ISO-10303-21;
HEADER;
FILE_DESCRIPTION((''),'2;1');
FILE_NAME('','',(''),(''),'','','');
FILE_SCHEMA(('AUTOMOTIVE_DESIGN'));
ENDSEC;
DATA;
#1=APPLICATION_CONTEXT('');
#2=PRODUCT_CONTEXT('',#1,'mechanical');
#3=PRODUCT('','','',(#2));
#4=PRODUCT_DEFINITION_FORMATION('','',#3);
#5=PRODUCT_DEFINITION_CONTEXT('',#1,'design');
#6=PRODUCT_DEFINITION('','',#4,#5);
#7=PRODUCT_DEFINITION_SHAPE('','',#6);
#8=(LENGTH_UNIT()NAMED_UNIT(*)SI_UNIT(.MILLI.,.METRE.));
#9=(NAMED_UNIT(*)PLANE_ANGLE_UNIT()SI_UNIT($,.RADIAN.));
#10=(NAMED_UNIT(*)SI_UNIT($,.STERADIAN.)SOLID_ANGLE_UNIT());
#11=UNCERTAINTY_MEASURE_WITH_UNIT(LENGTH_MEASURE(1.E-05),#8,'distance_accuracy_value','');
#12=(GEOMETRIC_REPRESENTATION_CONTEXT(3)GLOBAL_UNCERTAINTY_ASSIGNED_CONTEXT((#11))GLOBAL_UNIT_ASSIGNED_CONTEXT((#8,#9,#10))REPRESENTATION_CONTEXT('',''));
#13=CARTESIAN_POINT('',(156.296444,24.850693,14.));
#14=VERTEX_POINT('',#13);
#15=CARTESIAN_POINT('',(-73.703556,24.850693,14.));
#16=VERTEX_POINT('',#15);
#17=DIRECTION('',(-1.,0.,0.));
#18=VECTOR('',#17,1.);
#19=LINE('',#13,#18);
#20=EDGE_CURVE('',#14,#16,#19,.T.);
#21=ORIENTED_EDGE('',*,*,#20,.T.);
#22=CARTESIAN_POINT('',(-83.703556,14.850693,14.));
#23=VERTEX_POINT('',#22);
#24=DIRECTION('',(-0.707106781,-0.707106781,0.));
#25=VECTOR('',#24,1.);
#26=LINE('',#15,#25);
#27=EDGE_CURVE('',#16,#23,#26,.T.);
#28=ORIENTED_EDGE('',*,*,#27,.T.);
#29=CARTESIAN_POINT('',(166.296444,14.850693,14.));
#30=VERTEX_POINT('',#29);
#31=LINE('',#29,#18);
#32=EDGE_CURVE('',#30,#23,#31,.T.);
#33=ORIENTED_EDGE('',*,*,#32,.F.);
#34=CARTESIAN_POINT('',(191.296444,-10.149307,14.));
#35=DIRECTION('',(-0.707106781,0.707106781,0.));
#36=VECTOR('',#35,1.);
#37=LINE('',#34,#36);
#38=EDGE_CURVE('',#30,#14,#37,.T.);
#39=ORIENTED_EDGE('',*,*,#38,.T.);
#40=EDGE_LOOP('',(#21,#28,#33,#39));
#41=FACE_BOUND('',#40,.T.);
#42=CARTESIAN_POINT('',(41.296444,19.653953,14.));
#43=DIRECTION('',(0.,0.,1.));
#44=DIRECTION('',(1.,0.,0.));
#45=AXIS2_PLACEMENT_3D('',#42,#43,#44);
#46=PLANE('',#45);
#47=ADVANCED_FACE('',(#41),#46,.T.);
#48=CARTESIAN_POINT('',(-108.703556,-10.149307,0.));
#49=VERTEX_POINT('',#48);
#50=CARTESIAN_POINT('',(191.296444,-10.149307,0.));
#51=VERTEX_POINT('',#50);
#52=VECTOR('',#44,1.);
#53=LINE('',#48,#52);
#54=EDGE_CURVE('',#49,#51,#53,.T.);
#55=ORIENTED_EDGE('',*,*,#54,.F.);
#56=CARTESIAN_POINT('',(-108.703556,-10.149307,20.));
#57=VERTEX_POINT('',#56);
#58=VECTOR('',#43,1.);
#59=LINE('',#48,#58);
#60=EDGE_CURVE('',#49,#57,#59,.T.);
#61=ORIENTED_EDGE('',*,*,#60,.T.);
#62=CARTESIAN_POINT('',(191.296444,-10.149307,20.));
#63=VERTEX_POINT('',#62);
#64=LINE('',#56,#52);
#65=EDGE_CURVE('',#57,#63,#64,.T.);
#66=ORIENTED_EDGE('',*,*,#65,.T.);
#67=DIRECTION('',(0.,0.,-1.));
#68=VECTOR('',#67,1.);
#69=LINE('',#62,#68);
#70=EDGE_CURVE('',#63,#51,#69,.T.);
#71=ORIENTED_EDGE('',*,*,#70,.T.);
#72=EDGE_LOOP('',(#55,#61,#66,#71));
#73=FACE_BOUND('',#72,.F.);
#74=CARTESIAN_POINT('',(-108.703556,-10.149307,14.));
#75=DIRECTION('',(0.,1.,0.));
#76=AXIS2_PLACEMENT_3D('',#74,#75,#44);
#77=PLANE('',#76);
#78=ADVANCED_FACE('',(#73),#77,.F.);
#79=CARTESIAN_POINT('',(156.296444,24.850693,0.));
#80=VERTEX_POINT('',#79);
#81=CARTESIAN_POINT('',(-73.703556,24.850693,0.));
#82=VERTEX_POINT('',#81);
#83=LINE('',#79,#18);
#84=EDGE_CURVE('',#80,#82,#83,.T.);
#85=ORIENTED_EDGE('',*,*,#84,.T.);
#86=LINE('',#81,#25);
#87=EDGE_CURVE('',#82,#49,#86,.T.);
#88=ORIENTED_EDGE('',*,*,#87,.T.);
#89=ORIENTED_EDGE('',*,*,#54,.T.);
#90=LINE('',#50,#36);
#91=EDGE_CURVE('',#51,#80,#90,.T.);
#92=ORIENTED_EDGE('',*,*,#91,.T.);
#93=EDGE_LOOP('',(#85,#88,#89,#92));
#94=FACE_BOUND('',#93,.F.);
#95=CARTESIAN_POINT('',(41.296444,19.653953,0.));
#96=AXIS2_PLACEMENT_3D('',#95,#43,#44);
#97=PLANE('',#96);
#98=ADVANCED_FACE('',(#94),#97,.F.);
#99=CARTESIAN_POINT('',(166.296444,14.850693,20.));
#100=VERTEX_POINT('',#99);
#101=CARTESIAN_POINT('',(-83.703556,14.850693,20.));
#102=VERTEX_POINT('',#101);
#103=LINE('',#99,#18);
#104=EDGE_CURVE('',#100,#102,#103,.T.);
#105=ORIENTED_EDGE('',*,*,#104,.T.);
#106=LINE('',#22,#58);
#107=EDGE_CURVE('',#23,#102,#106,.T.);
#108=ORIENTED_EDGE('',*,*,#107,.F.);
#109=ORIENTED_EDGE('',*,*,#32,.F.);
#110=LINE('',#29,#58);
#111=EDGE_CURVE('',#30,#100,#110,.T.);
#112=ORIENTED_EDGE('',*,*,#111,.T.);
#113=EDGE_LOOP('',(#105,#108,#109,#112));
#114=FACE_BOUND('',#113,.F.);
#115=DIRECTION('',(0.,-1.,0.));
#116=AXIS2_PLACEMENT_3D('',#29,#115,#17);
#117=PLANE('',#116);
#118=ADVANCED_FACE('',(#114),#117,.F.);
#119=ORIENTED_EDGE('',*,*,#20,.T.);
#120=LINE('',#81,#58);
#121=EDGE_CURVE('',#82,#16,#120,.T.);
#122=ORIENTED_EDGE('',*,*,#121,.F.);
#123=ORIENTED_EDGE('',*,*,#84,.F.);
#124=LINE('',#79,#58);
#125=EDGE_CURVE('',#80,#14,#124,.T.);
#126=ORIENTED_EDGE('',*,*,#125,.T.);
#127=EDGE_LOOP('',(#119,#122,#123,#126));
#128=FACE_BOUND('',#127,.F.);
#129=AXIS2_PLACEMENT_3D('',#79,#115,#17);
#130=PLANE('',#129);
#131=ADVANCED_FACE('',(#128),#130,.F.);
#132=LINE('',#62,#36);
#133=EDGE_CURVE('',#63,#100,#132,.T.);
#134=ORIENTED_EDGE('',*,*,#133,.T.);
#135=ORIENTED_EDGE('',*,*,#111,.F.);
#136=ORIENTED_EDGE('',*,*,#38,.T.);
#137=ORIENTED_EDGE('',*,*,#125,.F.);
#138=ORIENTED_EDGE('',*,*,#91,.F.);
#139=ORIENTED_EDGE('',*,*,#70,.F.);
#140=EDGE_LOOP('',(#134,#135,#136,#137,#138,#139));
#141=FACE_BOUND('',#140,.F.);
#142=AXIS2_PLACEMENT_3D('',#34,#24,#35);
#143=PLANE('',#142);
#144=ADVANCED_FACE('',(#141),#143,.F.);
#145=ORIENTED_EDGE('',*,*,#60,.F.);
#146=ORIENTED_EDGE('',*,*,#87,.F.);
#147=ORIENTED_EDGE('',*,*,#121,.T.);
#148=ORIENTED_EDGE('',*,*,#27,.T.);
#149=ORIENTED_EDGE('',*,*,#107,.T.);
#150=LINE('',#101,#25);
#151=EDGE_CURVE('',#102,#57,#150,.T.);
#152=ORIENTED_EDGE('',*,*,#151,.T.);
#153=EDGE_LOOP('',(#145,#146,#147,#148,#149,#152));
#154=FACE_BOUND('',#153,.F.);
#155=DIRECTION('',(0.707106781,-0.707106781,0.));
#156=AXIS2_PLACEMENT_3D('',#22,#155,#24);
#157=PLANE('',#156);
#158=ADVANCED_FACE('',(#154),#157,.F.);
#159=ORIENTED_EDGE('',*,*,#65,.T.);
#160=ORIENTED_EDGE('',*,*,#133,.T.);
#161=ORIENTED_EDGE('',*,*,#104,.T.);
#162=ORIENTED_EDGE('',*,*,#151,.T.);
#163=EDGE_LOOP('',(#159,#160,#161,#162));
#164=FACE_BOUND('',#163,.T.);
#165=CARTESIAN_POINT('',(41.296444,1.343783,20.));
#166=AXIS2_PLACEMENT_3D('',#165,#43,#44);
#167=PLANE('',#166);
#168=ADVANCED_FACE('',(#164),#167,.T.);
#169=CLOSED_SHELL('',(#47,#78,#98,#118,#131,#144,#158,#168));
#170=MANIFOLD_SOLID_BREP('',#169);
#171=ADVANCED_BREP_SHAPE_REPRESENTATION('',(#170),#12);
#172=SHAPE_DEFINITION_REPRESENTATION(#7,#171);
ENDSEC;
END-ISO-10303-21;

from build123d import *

# Parameters (mm, degrees)
F1_DEPTH = 14
F3_DEPTH = 6


with BuildPart() as f1:
    # F0 (on Top) → F1 (new body)
    with BuildSketch(Plane.XY):
        Polygon((156.296444, 24.850693), (-73.703556, 24.850693), (-83.703556, 14.850693), (166.296444, 14.850693), align=None)
        Polygon((166.296444, 14.850693), (-83.703556, 14.850693), (-108.703556, -10.149307), (191.296444, -10.149307), align=None)
    extrude(amount=F1_DEPTH)

    # F2 (on face) → F3 (join)
    with BuildSketch(Plane.XY.offset(14)):
        Polygon((166.296444, 14.850693), (-83.703556, 14.850693), (-108.703556, -10.149307), (191.296444, -10.149307), align=None)
    extrude(amount=F3_DEPTH)


solid = f1.part
